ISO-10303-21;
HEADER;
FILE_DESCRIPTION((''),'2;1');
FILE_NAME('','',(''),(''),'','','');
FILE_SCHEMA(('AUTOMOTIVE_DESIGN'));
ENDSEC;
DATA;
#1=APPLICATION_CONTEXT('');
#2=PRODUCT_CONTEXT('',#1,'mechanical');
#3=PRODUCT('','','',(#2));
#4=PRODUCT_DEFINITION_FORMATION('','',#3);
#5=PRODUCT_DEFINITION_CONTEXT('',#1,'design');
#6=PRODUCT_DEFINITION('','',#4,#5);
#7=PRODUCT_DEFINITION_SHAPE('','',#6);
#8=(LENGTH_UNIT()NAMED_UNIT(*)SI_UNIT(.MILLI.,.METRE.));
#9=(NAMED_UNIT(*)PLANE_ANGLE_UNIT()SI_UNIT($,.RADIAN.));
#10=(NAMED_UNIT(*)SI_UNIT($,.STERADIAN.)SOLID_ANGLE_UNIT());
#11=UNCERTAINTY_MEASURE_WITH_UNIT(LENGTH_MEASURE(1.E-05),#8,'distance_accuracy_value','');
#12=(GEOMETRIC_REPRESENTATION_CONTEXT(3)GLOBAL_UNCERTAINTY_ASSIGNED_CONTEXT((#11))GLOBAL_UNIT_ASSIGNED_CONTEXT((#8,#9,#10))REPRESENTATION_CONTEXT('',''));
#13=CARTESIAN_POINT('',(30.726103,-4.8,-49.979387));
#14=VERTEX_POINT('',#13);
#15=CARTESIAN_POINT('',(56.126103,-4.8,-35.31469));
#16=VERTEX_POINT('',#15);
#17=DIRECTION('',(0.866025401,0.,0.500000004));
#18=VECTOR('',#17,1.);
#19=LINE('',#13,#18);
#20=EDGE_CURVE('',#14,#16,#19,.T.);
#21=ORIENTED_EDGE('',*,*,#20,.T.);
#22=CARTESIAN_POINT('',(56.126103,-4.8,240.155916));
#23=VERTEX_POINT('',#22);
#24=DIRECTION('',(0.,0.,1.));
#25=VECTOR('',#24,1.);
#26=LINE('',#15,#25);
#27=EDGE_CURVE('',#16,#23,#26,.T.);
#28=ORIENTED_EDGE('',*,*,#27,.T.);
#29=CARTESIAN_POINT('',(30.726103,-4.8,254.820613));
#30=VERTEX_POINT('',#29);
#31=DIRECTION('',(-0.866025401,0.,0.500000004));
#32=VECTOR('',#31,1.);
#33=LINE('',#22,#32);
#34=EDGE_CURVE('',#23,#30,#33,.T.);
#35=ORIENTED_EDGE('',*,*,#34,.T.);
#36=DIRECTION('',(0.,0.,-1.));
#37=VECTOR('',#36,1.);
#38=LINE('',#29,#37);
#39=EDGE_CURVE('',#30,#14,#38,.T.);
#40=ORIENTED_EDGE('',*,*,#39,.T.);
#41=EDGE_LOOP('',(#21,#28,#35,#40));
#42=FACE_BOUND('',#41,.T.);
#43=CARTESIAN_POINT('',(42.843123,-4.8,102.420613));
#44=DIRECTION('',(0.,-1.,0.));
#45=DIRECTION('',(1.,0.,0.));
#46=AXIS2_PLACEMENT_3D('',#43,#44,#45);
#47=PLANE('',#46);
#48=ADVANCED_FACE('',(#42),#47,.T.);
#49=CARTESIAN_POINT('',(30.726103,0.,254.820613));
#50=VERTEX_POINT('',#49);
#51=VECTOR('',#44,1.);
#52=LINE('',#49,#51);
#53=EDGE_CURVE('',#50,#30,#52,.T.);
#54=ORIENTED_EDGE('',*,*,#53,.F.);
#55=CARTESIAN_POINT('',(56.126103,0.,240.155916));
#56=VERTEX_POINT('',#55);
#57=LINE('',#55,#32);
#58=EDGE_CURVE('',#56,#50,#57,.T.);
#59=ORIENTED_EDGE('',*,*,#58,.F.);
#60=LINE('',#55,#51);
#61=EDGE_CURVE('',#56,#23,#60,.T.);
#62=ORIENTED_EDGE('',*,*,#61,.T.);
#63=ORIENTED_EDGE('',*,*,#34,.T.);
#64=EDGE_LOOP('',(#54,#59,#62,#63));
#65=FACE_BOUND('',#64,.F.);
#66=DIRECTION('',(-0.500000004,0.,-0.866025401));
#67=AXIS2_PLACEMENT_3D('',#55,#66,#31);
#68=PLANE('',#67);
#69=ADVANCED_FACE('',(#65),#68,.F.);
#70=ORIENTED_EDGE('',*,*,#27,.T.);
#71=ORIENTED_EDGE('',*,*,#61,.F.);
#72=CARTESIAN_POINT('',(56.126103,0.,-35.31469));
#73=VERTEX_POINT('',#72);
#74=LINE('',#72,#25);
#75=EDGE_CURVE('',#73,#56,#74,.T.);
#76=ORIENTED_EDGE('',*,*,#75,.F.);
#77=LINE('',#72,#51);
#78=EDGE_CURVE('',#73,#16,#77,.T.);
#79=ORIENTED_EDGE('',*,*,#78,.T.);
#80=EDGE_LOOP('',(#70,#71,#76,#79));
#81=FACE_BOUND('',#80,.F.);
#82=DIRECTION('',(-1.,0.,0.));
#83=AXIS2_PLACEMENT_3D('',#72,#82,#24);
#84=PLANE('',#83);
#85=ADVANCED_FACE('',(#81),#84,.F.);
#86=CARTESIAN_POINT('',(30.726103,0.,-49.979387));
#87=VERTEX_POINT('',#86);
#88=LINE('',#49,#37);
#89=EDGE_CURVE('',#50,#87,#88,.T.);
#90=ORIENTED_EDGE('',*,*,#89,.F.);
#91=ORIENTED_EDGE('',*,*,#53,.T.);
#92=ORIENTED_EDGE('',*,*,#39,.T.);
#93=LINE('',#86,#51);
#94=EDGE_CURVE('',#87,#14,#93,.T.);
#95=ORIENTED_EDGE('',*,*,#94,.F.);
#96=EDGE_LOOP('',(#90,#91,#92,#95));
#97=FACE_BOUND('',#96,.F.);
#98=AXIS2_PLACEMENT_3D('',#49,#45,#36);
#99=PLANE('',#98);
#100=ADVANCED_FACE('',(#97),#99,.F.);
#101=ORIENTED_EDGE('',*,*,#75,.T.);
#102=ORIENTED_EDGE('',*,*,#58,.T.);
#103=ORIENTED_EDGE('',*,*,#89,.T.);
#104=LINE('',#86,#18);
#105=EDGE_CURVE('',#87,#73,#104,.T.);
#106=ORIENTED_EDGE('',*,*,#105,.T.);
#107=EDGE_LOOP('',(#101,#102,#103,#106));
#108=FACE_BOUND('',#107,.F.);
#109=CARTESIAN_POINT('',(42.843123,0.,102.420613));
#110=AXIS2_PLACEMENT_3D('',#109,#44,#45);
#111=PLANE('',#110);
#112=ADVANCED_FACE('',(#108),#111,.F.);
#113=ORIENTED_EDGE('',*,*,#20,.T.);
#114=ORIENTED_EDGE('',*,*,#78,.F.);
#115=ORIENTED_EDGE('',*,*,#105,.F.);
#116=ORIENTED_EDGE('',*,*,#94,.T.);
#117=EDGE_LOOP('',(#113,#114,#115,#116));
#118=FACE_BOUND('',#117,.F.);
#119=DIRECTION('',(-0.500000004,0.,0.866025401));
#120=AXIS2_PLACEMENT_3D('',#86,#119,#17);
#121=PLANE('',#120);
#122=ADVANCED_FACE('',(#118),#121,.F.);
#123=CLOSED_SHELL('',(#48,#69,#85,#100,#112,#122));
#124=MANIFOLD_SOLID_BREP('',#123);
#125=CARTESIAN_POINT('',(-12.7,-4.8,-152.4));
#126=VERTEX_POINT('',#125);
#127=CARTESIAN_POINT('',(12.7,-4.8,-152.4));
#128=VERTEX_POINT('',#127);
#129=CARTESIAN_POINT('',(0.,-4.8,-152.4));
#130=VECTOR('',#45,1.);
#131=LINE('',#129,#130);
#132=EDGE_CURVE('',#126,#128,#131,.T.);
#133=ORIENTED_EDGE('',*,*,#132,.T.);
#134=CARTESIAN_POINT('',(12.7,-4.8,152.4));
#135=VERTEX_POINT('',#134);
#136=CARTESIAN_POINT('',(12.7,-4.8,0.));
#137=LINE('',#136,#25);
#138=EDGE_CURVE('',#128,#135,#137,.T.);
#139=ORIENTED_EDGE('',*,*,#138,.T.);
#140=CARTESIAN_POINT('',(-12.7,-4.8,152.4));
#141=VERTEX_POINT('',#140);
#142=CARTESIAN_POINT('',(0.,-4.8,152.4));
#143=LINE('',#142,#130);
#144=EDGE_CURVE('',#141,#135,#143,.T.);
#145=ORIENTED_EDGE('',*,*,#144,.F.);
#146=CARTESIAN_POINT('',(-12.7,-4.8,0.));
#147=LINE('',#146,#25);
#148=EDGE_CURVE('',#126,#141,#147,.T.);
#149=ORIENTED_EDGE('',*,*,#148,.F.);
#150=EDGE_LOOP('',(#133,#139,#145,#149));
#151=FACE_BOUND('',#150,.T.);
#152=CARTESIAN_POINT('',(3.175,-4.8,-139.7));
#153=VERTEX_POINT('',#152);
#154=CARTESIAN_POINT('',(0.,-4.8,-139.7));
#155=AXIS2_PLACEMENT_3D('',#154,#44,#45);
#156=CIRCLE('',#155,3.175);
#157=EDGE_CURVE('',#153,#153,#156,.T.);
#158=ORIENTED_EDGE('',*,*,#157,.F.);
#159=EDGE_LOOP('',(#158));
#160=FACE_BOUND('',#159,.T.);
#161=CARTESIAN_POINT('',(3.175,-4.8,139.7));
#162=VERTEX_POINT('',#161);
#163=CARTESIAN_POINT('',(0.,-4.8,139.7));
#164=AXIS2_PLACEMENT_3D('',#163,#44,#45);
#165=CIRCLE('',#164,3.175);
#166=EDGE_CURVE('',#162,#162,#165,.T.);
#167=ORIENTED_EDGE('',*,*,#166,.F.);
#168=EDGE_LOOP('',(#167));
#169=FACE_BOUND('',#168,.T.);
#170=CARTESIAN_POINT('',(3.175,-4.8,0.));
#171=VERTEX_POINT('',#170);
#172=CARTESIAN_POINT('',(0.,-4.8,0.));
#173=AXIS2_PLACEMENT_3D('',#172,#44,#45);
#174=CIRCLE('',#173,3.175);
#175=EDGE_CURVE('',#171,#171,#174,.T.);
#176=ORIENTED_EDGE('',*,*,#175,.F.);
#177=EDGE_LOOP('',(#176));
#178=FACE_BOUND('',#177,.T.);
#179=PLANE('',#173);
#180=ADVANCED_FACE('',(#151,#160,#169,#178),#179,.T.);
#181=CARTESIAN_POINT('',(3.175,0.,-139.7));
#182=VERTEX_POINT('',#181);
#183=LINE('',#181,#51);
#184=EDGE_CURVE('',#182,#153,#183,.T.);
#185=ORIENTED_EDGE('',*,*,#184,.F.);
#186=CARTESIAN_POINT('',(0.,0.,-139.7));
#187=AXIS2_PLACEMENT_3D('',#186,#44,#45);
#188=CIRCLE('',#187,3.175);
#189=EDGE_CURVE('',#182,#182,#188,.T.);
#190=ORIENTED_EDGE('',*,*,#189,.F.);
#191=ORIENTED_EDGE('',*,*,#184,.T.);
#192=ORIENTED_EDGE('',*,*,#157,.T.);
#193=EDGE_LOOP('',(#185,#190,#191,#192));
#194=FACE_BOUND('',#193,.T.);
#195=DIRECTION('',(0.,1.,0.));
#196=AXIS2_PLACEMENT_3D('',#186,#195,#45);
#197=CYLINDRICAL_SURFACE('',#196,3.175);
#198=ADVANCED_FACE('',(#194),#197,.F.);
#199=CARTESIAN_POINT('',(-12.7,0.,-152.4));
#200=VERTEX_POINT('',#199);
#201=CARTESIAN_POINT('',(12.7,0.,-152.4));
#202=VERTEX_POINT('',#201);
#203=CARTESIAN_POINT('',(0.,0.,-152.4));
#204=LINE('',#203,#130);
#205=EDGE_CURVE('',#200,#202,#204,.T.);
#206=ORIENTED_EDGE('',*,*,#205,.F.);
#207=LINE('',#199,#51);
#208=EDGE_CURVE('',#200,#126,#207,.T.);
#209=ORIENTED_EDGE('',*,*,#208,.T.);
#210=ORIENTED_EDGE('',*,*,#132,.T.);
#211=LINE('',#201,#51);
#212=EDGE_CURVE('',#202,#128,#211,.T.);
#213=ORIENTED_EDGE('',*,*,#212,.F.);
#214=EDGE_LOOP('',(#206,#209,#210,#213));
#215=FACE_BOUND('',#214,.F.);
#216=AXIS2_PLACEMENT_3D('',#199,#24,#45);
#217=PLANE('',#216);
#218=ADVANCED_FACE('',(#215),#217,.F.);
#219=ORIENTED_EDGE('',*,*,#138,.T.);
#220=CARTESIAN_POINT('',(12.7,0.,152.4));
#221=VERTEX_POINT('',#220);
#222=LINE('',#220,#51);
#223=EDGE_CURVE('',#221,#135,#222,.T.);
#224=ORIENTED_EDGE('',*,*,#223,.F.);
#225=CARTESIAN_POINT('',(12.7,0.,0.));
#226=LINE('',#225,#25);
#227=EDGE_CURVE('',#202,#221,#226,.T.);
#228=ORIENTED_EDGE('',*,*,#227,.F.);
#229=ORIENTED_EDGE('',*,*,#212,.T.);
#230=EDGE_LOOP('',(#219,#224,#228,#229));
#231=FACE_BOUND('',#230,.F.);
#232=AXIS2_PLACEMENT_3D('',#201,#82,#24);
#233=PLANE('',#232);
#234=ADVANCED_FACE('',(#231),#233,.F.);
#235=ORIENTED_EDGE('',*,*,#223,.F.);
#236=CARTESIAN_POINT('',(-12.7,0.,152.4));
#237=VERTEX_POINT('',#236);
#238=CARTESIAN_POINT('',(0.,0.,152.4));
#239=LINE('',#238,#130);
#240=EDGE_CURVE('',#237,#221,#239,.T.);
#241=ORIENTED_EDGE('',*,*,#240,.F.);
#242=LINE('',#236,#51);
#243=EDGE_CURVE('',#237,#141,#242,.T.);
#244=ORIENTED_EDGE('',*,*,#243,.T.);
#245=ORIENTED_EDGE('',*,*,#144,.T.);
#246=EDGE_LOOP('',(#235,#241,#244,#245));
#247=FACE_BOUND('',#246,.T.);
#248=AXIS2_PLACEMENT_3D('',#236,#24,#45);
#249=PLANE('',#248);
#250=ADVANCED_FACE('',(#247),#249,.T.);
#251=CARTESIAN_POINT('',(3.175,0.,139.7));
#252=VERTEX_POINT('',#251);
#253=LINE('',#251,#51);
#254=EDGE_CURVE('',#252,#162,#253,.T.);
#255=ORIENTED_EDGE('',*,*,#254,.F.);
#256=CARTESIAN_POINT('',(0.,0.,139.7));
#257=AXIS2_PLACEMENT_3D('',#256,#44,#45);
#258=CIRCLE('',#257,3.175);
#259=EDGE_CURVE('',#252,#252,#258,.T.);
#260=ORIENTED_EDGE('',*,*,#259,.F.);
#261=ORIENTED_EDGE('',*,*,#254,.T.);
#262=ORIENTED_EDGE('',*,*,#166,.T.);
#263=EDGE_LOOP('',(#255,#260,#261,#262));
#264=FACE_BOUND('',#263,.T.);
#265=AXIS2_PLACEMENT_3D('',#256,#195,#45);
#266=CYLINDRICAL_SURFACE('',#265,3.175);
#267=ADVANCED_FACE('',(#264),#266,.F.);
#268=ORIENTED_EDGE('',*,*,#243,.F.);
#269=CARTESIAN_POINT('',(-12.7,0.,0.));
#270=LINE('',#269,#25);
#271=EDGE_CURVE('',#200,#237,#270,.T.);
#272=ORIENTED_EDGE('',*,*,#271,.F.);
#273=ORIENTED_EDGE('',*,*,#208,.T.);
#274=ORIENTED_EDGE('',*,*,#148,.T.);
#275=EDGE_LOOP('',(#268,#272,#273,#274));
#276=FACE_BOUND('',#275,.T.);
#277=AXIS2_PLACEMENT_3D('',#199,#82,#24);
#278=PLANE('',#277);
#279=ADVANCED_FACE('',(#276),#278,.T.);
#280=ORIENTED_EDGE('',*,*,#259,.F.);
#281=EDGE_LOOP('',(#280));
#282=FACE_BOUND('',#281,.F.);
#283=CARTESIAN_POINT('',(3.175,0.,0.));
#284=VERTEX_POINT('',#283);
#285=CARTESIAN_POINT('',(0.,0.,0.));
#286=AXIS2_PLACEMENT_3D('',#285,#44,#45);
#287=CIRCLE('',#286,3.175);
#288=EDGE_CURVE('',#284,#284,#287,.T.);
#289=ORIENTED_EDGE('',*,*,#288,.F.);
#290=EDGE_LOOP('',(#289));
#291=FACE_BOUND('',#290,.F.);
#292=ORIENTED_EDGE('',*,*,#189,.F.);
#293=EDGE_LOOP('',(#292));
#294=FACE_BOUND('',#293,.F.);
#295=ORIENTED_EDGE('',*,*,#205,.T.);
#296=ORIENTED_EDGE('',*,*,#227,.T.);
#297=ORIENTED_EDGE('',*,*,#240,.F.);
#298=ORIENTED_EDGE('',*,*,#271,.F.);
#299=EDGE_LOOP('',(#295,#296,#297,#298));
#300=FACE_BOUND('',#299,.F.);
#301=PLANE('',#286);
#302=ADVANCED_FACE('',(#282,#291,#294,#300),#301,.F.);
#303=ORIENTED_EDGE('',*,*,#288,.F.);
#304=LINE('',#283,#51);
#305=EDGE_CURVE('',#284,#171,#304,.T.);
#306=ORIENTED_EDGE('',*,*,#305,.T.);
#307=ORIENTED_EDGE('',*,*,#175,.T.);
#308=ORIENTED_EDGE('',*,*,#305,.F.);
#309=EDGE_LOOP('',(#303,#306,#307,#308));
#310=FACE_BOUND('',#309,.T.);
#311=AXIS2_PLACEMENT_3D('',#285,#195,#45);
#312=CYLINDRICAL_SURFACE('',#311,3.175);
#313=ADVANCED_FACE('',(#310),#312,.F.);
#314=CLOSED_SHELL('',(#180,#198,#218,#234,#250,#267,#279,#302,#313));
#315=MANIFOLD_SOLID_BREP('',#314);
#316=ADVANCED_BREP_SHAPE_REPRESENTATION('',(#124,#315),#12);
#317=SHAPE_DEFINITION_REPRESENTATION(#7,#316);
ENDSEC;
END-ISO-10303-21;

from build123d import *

# Parameters (mm, degrees)
F0_W     = 25.4
F0_H     = 304.8
F0_R     = 3.175
F1_DEPTH = 4.8
F3_DEPTH = 4.8


with BuildPart() as f1:
    # F0 (on Front) → F1 (new body)
    with BuildSketch(Plane.XZ):
        Rectangle(F0_W, F0_H)
        with Locations((0, -139.7)):
            Circle(F0_R, mode=Mode.SUBTRACT)
        Circle(F0_R, mode=Mode.SUBTRACT)
        with Locations((0, 139.7)):
            Circle(F0_R, mode=Mode.SUBTRACT)
    extrude(amount=F1_DEPTH)


with BuildPart() as f3:
    # F2 (on Front) → F3 (new body, through all)
    with BuildSketch(Plane.XZ):
        Polygon((56.126103, 240.155916), (30.726103, 254.820613), (30.726103, -49.979387), (56.126103, -35.31469), align=None)
    extrude(amount=F3_DEPTH)


solid = Compound([f1.part, f3.part])
